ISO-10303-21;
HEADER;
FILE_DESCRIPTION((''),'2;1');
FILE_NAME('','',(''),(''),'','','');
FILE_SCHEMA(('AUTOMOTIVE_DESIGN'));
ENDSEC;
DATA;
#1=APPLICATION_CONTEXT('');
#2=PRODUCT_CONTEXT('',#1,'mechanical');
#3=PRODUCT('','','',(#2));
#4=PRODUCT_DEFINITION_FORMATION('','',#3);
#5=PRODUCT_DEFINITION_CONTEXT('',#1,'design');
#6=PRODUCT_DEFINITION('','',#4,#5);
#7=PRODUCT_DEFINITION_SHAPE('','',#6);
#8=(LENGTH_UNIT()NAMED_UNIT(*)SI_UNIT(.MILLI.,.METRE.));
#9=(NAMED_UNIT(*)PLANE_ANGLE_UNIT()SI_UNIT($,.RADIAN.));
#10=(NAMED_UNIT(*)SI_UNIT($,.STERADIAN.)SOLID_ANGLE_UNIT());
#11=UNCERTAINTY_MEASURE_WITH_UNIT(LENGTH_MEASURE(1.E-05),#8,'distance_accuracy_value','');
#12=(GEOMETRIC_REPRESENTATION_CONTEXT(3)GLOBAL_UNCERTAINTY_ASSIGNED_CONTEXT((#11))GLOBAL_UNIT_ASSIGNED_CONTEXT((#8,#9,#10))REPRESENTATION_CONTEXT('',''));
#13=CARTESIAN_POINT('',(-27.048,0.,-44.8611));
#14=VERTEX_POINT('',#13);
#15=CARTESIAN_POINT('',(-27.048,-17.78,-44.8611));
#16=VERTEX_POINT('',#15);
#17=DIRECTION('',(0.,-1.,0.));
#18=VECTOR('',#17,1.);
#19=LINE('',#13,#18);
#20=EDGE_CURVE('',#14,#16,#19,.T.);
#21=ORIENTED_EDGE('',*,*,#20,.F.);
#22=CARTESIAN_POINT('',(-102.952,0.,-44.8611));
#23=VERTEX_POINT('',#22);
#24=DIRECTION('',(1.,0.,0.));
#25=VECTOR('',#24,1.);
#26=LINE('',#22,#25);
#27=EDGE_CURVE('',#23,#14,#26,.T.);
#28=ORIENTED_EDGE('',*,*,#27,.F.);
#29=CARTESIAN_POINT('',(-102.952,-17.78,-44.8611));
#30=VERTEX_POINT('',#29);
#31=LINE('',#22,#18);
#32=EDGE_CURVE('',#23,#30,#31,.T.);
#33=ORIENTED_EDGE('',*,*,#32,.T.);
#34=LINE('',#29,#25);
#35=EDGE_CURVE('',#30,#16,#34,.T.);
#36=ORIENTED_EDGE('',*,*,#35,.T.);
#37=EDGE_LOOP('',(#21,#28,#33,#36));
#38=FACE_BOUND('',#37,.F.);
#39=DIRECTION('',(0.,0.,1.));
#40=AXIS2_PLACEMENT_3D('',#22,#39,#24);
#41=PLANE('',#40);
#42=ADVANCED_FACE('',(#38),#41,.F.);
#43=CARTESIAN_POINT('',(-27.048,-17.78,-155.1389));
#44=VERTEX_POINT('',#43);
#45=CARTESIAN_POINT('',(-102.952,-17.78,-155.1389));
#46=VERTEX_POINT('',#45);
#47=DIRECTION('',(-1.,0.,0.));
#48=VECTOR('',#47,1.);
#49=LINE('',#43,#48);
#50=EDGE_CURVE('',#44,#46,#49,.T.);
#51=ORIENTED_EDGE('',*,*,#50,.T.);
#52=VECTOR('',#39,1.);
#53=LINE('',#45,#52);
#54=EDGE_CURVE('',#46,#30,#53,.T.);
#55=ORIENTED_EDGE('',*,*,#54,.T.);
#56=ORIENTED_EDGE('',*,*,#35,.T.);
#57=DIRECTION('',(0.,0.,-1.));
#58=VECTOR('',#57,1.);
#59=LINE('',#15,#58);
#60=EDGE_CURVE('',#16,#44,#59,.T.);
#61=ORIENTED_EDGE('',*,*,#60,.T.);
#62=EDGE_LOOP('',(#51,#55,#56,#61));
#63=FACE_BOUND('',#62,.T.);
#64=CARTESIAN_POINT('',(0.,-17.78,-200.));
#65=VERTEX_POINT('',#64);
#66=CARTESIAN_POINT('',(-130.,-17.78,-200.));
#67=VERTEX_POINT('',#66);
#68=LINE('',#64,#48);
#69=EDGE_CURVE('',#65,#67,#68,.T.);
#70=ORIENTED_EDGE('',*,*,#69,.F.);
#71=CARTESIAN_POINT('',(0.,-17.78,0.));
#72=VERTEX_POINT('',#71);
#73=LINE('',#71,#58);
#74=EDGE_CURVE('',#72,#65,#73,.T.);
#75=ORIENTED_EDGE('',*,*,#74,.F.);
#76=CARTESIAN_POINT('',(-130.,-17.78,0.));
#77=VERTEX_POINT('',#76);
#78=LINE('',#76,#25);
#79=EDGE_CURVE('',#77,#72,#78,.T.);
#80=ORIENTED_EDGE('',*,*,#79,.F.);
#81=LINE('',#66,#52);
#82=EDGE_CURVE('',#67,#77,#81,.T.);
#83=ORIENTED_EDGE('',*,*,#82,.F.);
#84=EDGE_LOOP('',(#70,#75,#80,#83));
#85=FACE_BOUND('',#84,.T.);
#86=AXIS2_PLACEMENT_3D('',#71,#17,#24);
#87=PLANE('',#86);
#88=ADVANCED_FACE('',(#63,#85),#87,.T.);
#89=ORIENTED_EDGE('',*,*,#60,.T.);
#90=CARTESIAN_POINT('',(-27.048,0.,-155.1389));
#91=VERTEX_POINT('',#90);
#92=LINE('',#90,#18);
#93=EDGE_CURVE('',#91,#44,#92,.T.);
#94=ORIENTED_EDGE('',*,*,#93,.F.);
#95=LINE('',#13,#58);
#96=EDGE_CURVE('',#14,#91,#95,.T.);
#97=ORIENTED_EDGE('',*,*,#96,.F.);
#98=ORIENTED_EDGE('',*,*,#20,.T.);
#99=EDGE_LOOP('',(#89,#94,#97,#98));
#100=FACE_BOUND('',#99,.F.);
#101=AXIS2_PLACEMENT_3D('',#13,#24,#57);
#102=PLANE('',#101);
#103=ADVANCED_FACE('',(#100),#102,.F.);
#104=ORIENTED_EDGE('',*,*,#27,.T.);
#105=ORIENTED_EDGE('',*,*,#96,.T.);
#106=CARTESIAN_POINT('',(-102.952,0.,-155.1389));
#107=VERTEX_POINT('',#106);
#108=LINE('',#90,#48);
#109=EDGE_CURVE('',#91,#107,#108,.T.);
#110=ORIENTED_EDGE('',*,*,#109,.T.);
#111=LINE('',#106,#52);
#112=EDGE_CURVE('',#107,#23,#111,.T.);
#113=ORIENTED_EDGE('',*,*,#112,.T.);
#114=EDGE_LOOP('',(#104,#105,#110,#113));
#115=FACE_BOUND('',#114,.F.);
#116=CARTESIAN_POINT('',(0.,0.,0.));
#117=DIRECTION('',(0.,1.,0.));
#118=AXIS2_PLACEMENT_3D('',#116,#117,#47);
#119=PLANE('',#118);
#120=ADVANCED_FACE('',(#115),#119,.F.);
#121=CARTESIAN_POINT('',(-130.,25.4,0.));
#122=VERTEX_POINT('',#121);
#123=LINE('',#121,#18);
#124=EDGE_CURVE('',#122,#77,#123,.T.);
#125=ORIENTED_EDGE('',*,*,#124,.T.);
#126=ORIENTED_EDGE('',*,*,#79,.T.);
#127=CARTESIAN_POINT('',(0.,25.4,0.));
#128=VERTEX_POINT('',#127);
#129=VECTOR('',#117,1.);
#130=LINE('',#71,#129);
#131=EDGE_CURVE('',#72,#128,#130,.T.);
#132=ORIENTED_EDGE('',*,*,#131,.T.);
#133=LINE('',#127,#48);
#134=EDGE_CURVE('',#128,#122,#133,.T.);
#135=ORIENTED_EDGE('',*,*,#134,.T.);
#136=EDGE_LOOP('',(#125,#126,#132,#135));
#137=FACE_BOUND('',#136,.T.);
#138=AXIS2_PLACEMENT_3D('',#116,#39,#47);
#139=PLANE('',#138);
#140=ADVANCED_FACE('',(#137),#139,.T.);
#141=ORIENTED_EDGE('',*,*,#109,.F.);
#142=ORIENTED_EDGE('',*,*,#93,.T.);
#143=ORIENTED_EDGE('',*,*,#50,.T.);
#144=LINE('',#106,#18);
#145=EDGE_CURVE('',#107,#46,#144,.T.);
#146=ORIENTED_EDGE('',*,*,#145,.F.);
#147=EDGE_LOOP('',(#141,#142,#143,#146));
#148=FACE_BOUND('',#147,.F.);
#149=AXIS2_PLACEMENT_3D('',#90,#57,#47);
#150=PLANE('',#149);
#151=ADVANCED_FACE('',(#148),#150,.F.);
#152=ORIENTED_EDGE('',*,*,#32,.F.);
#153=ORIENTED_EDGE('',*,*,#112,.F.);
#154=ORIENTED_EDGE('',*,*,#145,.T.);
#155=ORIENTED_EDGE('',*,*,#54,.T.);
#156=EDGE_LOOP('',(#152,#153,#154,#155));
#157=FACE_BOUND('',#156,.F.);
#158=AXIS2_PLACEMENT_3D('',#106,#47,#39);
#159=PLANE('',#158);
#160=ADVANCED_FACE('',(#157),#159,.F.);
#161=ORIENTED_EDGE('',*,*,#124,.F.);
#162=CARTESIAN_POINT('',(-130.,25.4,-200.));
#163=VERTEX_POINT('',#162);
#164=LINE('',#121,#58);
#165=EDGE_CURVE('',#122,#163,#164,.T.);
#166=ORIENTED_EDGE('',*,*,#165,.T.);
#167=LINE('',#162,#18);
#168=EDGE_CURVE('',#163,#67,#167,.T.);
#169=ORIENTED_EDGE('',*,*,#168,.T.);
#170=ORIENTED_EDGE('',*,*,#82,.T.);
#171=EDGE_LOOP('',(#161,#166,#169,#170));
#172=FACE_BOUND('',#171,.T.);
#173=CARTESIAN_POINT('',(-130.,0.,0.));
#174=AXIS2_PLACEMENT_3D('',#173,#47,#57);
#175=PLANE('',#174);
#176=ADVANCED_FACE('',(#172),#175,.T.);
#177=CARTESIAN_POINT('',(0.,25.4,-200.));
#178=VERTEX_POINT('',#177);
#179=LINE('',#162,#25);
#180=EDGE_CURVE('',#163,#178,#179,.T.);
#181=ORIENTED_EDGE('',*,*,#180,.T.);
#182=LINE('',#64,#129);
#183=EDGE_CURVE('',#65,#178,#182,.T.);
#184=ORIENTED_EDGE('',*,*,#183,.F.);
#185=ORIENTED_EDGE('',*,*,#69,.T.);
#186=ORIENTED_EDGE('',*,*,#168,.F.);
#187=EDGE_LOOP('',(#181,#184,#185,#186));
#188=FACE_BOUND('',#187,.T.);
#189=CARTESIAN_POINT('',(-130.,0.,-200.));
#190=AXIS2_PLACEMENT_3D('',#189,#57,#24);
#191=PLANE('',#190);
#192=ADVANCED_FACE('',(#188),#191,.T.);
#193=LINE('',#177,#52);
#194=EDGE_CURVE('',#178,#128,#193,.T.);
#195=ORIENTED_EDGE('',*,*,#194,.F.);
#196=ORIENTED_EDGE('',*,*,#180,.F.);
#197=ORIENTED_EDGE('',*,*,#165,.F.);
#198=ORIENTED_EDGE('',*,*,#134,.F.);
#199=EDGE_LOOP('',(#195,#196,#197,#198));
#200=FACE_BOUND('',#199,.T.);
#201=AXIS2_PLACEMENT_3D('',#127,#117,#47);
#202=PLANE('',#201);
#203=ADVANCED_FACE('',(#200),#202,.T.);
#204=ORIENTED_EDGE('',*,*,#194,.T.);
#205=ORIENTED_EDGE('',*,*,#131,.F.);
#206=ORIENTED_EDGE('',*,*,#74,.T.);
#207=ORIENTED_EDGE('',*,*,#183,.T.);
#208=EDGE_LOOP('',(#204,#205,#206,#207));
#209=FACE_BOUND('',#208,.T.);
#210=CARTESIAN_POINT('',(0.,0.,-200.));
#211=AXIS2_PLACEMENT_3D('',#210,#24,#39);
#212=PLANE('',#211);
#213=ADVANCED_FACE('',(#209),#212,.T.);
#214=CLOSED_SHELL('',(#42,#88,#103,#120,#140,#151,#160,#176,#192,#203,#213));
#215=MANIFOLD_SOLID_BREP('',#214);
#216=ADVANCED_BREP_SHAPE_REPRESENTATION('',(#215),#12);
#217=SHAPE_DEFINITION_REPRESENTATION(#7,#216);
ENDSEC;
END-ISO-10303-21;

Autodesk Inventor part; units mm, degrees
ref_plane "YZ Plane" through (0, 0, 0) normal (1, 0, 0) x (0, 1, 0)
ref_plane "XZ Plane" through (0, 0, 0) normal (0, 1, 0) x (-1, 0, 0)
ref_plane "XY Plane" through (0, 0, 0) normal (0, 0, 1) x (1, 0, 0)
sketch "Sketch1" plane through (0, 0, 0) normal (0, 1, 0) x (-1, 0, 0)
  line L0 (0, 0) -> (130, 0)
  line L1 (130, 0) -> (130, -200)
  line L2 (130, -200) -> (0, -200)
  line L3 (0, -200) -> (0, 0)
  dimension "d0" = 130
  dimension "d1" = 200
extrude "Extrusion1" add sketch "Sketch1" along normal blind 25.4
sketch "Sketch2" plane through (0, 0, 0) normal (0, -1, 0) x (1, 0, 0)
  line L0 (0, -200) -> (-130, -200) projected
  line L1 (0, 0) -> (0, -200) projected
  line L2 (-102.952, -44.8611) -> (-27.048, -44.8611)
  line L3 (-27.048, -44.8611) -> (-27.048, -155.1389)
  line L4 (-27.048, -155.1389) -> (-102.952, -155.1389)
  line L5 (-102.952, -155.1389) -> (-102.952, -44.8611)
  line L6 (-102.952, -44.8611) -> (-27.048, -155.1389) construction
  line L7 (-27.048, -44.8611) -> (-102.952, -155.1389) construction
  line L8 (-130, -200) -> (-130, 0) projected
  line L9 (-130, 0) -> (0, 0) projected
  point P0 (-65, -100)
extrude "Extrusion2" add sketch "Sketch2" along normal blind 17.78
properties part number "Electronics place holder"
